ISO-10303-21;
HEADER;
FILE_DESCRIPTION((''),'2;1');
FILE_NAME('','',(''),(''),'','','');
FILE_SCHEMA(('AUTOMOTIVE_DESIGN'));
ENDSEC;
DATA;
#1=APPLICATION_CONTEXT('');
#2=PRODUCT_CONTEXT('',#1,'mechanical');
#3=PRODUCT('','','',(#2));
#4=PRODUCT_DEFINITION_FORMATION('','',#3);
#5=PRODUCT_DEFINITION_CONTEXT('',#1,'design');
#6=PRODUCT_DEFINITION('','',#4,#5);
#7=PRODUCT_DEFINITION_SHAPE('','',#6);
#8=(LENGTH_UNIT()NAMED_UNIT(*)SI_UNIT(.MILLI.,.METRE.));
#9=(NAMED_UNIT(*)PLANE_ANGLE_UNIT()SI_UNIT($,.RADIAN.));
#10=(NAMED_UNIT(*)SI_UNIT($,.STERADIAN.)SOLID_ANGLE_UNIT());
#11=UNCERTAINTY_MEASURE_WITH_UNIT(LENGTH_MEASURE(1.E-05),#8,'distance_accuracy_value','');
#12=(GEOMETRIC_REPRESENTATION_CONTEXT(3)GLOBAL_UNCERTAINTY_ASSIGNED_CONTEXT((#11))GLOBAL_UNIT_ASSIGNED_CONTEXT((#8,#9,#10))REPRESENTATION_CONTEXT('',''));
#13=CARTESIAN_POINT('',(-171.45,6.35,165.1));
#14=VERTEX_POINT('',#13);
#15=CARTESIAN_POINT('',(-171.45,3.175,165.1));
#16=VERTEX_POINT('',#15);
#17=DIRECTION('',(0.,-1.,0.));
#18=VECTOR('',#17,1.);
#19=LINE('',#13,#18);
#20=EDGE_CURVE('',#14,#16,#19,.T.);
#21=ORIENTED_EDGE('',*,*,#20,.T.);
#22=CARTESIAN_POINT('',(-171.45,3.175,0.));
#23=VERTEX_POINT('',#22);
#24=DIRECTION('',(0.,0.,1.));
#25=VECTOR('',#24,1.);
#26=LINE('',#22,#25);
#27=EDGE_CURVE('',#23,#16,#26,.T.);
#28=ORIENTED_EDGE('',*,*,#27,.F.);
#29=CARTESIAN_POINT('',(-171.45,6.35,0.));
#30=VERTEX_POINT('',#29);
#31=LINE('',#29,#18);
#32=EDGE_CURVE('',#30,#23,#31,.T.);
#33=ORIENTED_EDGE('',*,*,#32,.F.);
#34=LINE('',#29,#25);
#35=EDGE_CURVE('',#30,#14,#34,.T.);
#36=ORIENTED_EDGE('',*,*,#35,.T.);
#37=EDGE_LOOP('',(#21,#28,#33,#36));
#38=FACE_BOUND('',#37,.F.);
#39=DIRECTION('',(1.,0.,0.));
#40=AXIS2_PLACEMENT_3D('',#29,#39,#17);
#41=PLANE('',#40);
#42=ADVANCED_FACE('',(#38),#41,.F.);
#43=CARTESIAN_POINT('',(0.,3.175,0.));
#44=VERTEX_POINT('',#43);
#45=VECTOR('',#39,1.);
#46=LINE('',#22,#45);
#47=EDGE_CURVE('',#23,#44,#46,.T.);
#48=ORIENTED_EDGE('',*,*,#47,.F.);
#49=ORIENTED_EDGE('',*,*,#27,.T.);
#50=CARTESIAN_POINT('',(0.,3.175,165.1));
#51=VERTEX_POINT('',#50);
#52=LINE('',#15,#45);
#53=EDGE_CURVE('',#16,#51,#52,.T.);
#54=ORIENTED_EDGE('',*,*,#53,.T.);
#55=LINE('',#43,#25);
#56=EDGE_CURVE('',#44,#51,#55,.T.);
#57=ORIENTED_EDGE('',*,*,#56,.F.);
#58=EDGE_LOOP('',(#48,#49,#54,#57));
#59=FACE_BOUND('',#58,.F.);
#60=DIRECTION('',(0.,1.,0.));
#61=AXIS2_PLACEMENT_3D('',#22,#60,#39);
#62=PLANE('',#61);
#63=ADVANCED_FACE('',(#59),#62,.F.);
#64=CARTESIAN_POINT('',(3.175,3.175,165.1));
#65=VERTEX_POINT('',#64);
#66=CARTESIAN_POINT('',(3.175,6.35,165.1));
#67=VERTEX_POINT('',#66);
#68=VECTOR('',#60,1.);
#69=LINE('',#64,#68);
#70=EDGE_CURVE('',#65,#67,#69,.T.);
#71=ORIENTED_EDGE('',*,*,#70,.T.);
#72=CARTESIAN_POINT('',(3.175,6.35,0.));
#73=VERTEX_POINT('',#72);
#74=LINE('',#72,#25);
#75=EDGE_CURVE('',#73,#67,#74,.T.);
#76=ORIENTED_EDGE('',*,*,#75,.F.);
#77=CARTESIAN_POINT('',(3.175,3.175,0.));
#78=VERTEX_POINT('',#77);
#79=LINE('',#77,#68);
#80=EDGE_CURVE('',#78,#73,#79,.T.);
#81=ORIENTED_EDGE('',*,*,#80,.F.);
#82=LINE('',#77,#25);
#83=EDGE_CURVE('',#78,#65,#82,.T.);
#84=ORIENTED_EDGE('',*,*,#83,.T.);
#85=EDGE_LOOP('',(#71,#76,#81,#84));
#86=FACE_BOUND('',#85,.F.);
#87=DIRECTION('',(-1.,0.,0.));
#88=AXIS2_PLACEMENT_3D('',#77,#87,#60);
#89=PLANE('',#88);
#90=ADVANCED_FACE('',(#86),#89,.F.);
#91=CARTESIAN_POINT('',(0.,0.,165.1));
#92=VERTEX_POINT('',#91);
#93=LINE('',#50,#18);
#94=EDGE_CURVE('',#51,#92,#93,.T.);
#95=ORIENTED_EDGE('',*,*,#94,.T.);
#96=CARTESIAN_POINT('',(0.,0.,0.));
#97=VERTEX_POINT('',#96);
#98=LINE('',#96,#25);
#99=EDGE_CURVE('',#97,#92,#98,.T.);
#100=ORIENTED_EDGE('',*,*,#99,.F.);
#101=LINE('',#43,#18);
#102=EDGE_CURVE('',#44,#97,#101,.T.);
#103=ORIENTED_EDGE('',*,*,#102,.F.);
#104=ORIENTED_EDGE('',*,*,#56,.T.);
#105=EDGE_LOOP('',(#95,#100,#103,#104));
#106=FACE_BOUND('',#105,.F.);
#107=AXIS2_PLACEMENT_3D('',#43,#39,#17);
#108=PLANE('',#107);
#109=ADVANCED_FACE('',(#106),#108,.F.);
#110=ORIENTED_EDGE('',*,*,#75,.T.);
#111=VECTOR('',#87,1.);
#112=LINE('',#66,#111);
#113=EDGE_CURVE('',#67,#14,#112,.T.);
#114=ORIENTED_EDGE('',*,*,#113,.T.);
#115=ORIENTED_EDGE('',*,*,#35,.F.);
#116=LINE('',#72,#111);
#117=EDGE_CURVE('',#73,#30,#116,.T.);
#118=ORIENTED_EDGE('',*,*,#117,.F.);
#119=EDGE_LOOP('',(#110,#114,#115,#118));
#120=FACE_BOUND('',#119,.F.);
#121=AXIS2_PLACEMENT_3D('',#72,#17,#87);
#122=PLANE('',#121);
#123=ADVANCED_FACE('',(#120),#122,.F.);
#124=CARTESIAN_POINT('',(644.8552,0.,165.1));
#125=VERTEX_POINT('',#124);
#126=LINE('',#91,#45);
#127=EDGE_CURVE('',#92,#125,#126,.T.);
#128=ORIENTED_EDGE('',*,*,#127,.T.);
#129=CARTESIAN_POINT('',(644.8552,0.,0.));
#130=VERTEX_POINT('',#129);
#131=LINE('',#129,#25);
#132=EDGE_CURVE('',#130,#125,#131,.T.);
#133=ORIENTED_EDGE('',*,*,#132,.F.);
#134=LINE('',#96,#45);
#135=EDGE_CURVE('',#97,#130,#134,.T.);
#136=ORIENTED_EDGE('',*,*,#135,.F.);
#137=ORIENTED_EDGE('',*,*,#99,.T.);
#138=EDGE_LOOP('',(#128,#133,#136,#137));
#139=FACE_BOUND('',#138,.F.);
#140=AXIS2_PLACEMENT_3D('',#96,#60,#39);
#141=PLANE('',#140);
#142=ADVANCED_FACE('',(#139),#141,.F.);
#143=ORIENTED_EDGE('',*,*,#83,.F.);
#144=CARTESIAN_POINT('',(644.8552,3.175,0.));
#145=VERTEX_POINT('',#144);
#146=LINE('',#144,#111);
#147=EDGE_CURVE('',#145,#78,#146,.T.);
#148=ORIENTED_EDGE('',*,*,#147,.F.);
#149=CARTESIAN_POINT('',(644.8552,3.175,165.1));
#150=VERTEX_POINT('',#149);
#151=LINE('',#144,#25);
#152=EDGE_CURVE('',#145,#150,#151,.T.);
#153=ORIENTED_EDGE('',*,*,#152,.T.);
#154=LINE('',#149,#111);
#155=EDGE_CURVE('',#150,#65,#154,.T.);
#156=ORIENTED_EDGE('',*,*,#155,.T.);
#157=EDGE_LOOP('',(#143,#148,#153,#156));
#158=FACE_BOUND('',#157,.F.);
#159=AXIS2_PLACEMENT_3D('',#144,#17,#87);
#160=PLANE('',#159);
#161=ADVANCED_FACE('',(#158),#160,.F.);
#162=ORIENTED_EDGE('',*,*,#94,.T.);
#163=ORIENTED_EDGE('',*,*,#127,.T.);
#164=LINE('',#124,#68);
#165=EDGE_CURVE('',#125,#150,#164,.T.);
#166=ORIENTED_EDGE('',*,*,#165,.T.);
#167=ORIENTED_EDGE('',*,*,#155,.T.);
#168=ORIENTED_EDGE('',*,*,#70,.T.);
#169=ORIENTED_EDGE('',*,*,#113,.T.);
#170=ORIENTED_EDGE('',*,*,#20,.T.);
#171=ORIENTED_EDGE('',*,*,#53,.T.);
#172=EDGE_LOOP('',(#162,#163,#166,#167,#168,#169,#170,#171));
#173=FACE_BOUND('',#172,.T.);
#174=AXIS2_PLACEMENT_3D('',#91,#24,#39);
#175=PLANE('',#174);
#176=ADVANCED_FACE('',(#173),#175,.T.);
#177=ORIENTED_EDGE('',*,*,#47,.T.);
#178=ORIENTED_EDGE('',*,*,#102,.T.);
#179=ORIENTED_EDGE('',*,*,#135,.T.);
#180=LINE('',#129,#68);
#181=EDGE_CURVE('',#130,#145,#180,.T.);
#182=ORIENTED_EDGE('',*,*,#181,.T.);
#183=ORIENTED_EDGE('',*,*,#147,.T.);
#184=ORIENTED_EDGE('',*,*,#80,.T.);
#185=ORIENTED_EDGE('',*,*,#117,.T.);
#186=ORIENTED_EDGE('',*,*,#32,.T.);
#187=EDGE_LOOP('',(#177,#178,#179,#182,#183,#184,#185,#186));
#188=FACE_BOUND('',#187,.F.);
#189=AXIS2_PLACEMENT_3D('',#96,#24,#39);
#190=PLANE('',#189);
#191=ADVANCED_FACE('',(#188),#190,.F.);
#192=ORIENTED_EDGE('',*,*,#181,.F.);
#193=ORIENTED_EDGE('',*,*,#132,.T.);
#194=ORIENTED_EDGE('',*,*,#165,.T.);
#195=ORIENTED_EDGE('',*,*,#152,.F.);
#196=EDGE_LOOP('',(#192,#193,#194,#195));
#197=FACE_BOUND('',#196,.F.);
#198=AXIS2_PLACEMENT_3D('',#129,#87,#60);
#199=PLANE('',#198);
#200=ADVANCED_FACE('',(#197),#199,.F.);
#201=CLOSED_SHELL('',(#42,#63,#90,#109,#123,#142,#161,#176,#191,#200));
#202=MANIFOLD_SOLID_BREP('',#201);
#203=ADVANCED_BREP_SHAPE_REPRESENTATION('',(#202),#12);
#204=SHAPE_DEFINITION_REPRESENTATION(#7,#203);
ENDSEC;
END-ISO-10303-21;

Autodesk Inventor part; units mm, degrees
ref_plane "YZ Plane" through (0, 0, 0) normal (1, 0, 0) x (0, 1, 0)
ref_plane "XZ Plane" through (0, 0, 0) normal (0, 1, 0) x (-1, 0, 0)
ref_plane "XY Plane" through (0, 0, 0) normal (0, 0, 1) x (1, 0, 0)
sketch "Sketch1" plane through (0, 0, 0) normal (0, 0, 1) x (1, 0, 0)
  line L0 (0, 0) -> (644.8552, 0)
  line L1 (644.8552, 0) -> (644.8552, 3.175)
  line L2 (644.8552, 3.175) -> (3.175, 3.175)
  line L3 (3.175, 3.175) -> (3.175, 6.35)
  line L4 (3.175, 6.35) -> (-171.45, 6.35)
  line L5 (-171.45, 6.35) -> (-171.45, 3.175)
  line L6 (-171.45, 3.175) -> (0, 3.175)
  line L7 (0, 3.175) -> (0, 0)
  dimension "d0" = 171.45
  dimension "d1" = 3.175
  dimension "d2" = 3.175
  dimension "d3" = 3.175
  dimension "d4" = 3.175
  dimension "d10" = 644.8552
extrude "Extrusion2" add sketch "Sketch1" along normal blind 165.1
properties part number "Starter_Shingle_With_Dimensions_6.5_x_32.263_Inches"
